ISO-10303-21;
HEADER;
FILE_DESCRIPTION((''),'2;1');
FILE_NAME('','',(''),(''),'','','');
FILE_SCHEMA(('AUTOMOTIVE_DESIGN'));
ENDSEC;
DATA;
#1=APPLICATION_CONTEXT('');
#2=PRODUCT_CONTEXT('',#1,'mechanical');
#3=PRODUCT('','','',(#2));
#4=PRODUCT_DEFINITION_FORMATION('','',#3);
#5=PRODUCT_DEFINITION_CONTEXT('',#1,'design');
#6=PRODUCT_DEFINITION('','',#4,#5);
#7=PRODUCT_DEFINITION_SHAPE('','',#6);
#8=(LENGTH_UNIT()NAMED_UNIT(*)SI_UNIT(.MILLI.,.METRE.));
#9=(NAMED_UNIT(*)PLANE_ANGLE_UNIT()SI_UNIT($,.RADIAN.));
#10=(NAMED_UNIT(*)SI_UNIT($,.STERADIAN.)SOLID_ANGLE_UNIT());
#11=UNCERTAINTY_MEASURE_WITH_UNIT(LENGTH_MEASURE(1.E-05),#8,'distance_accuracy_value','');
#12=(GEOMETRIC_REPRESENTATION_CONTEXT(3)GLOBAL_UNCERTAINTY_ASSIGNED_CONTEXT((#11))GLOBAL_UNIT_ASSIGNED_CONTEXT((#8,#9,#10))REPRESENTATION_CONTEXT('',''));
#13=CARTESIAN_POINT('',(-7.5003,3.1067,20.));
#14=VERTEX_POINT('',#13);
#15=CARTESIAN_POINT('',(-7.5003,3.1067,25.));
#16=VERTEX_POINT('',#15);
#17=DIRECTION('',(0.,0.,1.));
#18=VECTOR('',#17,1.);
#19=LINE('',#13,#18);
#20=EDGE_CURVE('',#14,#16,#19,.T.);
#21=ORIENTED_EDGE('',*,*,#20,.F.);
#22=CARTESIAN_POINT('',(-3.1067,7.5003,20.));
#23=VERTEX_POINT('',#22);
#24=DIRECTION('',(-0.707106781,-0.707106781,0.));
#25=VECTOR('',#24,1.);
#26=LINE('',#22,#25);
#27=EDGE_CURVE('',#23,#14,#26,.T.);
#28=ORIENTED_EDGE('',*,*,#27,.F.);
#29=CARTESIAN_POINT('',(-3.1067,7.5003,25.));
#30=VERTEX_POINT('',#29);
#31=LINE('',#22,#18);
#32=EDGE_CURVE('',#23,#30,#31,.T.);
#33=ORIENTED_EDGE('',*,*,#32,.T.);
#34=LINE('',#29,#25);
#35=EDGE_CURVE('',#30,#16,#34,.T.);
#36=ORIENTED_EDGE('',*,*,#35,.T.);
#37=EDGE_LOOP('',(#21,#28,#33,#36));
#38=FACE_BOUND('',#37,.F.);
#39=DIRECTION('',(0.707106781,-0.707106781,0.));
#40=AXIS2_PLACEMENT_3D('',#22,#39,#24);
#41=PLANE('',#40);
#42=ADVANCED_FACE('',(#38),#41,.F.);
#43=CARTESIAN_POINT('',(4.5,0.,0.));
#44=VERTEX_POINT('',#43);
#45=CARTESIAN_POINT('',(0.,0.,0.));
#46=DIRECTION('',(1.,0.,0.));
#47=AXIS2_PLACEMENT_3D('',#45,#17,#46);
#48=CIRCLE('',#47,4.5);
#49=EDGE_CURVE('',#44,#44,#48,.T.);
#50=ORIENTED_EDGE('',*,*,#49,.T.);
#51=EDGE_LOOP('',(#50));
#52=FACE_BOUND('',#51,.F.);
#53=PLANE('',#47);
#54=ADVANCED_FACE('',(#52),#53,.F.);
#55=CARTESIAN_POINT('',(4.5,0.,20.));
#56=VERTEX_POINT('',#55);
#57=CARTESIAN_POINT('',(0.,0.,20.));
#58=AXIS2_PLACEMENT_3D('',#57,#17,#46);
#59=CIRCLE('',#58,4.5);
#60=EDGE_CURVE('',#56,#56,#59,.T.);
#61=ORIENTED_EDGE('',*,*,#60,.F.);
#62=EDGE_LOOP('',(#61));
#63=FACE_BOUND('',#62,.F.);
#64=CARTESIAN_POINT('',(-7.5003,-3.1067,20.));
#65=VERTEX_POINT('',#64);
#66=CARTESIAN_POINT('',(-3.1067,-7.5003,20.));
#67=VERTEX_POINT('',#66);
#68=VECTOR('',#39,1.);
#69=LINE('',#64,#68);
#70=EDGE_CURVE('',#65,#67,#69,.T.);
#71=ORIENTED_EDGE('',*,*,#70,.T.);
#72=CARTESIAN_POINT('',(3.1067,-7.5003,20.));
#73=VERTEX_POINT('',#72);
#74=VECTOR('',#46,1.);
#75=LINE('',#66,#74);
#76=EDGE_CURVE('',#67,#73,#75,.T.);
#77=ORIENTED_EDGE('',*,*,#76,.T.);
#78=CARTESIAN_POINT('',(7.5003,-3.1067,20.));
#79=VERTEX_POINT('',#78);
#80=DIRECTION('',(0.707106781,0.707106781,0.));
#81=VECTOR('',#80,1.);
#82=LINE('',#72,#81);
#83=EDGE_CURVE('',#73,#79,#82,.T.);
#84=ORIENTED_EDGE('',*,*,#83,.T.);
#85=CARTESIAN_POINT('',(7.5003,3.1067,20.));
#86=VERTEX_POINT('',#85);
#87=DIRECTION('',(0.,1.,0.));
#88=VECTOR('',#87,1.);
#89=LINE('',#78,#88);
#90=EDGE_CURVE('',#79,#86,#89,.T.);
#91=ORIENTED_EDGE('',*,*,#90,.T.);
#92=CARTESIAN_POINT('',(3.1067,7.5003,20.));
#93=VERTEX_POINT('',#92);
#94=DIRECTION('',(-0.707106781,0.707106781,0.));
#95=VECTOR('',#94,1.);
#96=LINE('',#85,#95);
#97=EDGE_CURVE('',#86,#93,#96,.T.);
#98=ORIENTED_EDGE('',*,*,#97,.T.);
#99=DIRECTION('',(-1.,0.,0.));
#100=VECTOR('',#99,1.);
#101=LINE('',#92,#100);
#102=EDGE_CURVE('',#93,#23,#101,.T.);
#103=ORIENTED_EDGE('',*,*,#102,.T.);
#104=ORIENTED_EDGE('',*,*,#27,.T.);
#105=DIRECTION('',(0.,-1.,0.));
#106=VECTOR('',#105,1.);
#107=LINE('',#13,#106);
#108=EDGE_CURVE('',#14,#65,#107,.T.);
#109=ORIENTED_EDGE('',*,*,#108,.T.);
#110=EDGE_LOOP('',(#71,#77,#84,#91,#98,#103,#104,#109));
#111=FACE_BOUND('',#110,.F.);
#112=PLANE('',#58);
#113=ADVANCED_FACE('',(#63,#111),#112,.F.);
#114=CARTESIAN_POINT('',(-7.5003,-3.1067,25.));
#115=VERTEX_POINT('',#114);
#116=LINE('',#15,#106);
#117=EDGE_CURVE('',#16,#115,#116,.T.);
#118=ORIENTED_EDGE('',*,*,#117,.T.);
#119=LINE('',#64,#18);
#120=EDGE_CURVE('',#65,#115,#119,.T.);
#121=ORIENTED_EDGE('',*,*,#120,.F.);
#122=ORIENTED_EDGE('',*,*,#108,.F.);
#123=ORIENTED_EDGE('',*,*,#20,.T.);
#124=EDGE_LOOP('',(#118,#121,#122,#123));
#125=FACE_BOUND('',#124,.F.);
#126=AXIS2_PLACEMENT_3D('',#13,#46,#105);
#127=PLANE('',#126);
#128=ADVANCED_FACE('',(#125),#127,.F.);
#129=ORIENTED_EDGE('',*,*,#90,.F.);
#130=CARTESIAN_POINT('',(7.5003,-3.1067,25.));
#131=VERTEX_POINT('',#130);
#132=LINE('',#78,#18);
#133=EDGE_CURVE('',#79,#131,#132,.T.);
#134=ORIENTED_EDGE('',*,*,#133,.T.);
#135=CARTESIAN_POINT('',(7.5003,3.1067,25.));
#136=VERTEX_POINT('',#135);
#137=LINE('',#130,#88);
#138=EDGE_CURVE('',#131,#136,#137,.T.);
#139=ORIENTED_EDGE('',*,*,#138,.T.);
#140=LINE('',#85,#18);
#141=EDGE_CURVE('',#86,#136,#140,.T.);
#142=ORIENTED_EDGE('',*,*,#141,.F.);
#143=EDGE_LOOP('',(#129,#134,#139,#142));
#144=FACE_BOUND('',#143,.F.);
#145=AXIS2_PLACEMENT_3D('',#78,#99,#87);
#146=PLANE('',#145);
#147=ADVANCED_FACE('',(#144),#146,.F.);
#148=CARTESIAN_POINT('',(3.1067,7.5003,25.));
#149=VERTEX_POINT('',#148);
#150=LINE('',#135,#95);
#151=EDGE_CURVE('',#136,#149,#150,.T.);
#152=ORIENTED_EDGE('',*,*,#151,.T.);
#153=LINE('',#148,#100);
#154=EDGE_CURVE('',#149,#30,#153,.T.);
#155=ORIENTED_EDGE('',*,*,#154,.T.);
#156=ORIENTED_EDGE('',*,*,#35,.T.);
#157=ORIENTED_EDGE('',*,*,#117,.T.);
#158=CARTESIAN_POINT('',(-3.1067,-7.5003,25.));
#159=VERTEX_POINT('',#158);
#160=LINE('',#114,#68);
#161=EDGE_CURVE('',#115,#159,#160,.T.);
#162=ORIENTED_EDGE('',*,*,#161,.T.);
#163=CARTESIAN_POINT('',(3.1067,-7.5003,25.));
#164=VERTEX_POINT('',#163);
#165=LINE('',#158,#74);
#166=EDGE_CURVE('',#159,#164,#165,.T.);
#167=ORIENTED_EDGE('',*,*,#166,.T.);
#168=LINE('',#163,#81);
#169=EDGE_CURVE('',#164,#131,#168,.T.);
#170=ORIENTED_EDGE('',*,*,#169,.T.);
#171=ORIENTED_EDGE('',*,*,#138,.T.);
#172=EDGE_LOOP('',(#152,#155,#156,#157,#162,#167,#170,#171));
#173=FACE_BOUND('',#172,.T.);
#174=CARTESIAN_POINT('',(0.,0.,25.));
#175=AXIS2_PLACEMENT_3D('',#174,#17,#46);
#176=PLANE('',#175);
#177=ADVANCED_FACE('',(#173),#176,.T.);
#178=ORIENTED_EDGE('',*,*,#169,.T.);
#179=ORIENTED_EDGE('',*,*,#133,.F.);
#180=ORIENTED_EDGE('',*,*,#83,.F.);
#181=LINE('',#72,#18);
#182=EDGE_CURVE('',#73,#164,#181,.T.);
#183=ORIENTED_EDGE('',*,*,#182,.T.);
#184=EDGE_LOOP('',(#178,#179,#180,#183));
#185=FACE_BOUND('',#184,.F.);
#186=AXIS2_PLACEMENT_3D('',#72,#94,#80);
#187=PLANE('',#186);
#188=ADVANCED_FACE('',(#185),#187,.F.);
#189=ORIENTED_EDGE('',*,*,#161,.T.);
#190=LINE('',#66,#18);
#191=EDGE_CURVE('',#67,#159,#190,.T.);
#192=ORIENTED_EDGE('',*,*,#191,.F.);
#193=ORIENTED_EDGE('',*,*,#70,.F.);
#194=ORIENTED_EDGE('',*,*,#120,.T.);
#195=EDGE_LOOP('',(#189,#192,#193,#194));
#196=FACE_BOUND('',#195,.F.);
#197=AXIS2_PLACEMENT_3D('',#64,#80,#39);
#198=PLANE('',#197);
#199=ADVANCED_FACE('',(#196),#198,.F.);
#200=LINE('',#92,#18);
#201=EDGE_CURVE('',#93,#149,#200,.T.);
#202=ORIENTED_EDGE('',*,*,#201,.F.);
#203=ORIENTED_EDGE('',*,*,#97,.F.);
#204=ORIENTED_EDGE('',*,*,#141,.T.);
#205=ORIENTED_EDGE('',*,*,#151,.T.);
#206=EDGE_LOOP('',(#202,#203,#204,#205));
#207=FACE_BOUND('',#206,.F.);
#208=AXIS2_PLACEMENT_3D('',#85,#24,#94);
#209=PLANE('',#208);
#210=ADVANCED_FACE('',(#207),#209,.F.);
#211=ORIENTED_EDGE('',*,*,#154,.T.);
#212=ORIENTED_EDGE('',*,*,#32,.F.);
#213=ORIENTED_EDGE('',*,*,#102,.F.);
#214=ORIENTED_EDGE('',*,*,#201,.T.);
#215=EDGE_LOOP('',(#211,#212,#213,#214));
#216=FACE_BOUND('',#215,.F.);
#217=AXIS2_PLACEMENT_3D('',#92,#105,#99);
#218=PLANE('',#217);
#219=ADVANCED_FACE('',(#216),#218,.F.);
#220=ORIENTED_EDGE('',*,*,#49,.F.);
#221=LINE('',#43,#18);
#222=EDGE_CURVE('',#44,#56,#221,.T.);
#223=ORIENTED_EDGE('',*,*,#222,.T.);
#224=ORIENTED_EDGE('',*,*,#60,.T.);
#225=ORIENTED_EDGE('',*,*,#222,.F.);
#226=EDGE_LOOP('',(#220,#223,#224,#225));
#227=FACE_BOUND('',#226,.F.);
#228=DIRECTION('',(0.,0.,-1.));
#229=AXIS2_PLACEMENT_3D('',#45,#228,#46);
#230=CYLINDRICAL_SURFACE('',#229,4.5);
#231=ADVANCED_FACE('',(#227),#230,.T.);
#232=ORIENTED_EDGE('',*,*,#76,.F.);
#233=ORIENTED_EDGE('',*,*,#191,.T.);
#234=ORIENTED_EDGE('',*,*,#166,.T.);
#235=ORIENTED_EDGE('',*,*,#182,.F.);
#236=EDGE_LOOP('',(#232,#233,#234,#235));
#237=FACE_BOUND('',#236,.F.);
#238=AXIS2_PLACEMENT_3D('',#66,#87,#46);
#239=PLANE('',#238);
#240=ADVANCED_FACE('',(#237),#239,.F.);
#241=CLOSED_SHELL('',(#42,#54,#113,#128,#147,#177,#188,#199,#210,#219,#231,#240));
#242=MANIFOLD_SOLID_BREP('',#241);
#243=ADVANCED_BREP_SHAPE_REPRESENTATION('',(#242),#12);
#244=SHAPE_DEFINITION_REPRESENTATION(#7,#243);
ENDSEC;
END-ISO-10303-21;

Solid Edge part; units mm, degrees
sketch "Sketch1" plane through (0, 0, 0) normal (0, 0, 1) x (1, 0, 0)
  circle A0 centre (0, 0) radius 4.5
extrude "Protrusion1" add sketch "Sketch1" along normal blind 20
sketch "Sketch2" plane through (0, 0, 20) normal (0, 0, 1) x (1, 0, 0)
  line L0 (-3.1067, 7.5003) -> (-7.5003, 3.1067)
  line L1 (-7.5003, 3.1067) -> (-7.5003, -3.1067)
  line L2 (-7.5003, -3.1067) -> (-3.1067, -7.5003)
  line L3 (-3.1067, -7.5003) -> (3.1067, -7.5003)
  line L4 (3.1067, -7.5003) -> (7.5003, -3.1067)
  line L5 (7.5003, -3.1067) -> (7.5003, 3.1067)
  line L6 (7.5003, 3.1067) -> (3.1067, 7.5003)
  line L7 (3.1067, 7.5003) -> (-3.1067, 7.5003)
extrude "ExtrudedProtrusion_2" add sketch "Sketch2" along normal blind 5
cosmetic_thread "Thread1" size "M9"
properties material "Steel"
